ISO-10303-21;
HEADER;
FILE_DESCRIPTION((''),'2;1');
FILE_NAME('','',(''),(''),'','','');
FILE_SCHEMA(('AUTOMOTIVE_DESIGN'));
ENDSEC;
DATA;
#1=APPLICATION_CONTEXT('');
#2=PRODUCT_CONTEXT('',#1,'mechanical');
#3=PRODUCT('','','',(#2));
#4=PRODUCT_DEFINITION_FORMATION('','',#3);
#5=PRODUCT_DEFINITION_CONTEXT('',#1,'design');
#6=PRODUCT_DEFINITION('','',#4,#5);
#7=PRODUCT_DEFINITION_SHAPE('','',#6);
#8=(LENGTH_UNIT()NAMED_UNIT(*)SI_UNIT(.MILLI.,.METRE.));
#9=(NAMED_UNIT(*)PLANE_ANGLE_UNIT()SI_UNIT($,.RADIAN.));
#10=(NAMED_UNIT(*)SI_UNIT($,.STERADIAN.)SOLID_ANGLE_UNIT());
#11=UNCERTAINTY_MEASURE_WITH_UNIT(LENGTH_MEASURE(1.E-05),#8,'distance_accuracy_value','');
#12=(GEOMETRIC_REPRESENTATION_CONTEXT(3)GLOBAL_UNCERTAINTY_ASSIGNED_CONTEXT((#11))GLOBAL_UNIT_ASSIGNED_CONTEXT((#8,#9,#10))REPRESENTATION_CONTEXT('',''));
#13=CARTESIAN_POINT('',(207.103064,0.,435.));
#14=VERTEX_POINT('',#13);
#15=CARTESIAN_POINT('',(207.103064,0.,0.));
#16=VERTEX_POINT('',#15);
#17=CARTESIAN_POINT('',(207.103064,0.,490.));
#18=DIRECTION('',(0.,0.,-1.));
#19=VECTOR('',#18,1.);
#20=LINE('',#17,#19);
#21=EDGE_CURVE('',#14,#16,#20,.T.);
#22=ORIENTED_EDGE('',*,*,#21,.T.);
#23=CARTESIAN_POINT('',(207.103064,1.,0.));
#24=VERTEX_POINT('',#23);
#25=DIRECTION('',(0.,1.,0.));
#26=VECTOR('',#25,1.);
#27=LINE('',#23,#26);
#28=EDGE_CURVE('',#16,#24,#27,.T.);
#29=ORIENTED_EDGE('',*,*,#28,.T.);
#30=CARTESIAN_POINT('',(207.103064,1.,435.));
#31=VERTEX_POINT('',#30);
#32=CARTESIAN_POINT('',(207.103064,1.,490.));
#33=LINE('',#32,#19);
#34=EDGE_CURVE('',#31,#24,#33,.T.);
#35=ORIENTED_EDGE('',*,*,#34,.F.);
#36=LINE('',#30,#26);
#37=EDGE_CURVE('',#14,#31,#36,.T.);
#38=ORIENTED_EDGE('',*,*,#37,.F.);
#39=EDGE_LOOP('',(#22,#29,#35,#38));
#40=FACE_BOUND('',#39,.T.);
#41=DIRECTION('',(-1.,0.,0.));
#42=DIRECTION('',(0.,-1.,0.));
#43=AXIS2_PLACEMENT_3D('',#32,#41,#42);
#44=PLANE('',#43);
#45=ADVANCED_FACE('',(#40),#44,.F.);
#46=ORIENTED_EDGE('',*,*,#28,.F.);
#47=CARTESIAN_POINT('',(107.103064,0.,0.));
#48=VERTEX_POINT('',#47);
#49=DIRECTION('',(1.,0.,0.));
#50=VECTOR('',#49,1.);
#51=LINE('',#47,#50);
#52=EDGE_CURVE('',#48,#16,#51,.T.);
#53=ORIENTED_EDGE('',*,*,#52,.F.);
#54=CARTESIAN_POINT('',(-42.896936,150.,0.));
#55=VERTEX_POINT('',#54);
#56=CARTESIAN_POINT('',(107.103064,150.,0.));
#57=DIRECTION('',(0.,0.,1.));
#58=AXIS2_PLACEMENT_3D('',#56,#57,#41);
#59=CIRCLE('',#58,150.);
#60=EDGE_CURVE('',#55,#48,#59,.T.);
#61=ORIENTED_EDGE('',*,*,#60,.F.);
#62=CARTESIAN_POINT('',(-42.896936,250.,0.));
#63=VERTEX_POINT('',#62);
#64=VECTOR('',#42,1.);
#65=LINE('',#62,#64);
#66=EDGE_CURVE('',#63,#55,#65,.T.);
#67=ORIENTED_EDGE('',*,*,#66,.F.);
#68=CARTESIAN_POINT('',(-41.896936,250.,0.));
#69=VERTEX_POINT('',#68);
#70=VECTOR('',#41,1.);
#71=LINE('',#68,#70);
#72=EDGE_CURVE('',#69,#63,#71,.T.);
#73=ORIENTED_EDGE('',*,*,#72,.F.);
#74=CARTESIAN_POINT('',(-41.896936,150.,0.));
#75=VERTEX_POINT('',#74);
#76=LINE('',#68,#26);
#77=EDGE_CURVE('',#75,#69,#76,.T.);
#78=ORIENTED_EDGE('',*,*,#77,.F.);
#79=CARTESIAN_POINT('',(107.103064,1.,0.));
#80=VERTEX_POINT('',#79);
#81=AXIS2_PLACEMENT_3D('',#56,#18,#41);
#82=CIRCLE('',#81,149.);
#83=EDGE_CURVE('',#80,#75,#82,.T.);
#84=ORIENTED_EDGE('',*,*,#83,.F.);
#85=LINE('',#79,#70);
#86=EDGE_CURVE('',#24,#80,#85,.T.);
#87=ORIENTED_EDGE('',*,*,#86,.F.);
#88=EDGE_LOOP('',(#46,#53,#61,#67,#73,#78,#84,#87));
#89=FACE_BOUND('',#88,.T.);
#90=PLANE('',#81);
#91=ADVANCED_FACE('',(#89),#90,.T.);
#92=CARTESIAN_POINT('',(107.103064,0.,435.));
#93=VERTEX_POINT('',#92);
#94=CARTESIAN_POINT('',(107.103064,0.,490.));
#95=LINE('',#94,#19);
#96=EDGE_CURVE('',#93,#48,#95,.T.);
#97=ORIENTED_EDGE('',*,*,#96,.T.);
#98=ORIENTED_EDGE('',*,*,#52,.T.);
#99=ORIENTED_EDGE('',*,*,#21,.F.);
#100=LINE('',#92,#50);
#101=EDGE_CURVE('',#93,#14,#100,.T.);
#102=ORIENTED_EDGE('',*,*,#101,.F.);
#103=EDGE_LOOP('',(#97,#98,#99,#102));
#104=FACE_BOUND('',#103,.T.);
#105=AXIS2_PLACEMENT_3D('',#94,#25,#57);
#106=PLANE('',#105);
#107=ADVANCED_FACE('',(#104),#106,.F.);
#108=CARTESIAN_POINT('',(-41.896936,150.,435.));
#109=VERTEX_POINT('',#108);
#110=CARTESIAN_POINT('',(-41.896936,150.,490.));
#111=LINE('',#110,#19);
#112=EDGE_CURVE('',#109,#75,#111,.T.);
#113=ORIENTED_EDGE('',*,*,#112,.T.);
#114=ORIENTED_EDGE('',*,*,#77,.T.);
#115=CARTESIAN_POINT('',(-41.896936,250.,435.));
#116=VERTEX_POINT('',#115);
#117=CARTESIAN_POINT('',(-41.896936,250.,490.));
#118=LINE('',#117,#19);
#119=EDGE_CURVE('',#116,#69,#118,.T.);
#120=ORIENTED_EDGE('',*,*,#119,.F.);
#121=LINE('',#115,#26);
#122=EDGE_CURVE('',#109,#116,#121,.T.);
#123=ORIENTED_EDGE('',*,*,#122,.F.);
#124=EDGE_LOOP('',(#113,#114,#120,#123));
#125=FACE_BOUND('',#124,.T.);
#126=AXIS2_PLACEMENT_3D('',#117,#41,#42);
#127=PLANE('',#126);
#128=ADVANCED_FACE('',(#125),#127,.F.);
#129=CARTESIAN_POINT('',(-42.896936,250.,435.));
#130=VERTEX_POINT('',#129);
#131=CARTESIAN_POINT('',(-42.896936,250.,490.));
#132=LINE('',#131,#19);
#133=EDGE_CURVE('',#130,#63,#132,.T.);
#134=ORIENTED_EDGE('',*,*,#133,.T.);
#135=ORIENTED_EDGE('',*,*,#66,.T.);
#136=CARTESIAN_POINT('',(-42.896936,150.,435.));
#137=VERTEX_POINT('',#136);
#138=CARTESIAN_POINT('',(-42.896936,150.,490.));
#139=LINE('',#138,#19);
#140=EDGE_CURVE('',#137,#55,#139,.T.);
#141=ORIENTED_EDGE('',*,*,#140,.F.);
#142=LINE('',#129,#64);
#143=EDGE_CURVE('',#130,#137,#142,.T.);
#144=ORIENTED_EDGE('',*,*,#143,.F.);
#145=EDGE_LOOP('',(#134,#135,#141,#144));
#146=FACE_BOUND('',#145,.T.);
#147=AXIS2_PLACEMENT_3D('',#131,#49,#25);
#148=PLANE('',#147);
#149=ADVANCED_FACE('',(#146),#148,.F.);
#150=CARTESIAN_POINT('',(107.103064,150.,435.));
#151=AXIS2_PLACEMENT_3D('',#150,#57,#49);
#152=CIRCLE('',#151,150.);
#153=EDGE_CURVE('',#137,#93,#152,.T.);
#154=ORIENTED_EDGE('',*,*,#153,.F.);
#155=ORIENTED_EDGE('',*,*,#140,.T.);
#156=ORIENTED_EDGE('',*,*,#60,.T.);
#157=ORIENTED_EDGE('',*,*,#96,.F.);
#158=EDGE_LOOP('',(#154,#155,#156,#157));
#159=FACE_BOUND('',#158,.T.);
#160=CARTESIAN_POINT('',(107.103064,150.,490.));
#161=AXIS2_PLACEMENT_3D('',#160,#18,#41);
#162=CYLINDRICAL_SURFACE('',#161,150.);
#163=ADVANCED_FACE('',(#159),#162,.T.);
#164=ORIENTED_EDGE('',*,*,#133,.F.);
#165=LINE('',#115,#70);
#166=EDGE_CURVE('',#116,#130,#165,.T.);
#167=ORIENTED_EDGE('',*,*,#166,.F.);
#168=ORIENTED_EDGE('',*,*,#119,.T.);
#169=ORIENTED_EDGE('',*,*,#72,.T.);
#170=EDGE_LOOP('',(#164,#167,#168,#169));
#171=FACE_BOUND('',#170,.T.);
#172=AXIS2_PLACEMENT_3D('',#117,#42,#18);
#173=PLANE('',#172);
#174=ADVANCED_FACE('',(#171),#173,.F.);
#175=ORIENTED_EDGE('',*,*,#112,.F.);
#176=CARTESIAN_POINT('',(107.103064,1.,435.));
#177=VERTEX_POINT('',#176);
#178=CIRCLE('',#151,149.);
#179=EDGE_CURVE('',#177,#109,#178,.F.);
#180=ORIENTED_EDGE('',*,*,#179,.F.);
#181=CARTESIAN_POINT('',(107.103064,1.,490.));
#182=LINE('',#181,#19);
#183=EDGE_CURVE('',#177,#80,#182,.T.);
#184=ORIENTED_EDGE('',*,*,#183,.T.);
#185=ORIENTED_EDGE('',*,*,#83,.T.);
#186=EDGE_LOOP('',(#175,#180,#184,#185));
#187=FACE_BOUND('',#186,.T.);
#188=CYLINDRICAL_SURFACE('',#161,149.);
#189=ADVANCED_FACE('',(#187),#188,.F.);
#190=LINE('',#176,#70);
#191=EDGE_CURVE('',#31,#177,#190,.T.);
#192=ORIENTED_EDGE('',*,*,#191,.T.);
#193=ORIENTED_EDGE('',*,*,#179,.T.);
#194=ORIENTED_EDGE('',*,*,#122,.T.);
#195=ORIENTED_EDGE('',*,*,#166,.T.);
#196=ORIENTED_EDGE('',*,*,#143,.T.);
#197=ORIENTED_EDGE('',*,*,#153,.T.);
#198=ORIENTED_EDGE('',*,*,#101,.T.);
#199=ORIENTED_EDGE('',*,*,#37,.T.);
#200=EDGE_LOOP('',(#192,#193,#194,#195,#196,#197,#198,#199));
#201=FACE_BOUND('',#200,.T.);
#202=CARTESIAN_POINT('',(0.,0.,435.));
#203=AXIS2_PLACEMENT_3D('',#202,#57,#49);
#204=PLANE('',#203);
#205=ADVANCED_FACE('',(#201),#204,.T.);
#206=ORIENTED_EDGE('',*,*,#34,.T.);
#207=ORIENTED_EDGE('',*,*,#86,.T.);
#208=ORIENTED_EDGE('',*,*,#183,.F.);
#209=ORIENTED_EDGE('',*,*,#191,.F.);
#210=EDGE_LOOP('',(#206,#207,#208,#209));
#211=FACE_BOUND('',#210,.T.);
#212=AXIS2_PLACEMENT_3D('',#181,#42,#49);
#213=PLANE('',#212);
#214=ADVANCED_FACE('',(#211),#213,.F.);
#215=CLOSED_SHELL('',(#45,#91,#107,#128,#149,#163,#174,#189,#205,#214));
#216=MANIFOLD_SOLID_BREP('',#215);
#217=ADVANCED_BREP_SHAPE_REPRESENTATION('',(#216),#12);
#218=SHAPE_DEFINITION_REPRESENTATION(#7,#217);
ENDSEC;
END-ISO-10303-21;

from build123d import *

# Parameters (mm, degrees)
BOSS_EXTRUDE1_DEPTH = 490
SKETCH3_W           = 307.381871045
SKETCH3_H           = 276.781214979
CUT_EXTRUDE1_DEPTH  = 55


with BuildPart() as part:
    # Sketch1 → Boss-Extrude1 (new body)
    with BuildSketch(Plane.XY):
        with BuildLine():
            Line((-42.896935933, 250), (-42.896935933, 150))
            ThreePointArc((-42.896935933, 150), (1.037046889, 43.933982822), (107.103064067, 0))
            Line((107.103064067, 0), (207.103064067, 0))
            Line((207.103064067, 0), (207.103064067, 1))
            Line((207.103064067, 1), (107.103064067, 1))
            ThreePointArc((107.103064067, 1), (1.74415367, 44.641089603), (-41.896935933, 150))
            Line((-41.896935933, 150), (-41.896935933, 250))
            Line((-41.896935933, 250), (-42.896935933, 250))
        make_face()
    extrude(amount=BOSS_EXTRUDE1_DEPTH)

    # Sketch3 → Cut-Extrude1 (cut)
    with BuildSketch(Plane.XY.offset(490)):
        with Locations((90.01109878, 115.028999709)):
            Rectangle(SKETCH3_W, SKETCH3_H)
    extrude(amount=-CUT_EXTRUDE1_DEPTH, mode=Mode.SUBTRACT)


solid = part.part
